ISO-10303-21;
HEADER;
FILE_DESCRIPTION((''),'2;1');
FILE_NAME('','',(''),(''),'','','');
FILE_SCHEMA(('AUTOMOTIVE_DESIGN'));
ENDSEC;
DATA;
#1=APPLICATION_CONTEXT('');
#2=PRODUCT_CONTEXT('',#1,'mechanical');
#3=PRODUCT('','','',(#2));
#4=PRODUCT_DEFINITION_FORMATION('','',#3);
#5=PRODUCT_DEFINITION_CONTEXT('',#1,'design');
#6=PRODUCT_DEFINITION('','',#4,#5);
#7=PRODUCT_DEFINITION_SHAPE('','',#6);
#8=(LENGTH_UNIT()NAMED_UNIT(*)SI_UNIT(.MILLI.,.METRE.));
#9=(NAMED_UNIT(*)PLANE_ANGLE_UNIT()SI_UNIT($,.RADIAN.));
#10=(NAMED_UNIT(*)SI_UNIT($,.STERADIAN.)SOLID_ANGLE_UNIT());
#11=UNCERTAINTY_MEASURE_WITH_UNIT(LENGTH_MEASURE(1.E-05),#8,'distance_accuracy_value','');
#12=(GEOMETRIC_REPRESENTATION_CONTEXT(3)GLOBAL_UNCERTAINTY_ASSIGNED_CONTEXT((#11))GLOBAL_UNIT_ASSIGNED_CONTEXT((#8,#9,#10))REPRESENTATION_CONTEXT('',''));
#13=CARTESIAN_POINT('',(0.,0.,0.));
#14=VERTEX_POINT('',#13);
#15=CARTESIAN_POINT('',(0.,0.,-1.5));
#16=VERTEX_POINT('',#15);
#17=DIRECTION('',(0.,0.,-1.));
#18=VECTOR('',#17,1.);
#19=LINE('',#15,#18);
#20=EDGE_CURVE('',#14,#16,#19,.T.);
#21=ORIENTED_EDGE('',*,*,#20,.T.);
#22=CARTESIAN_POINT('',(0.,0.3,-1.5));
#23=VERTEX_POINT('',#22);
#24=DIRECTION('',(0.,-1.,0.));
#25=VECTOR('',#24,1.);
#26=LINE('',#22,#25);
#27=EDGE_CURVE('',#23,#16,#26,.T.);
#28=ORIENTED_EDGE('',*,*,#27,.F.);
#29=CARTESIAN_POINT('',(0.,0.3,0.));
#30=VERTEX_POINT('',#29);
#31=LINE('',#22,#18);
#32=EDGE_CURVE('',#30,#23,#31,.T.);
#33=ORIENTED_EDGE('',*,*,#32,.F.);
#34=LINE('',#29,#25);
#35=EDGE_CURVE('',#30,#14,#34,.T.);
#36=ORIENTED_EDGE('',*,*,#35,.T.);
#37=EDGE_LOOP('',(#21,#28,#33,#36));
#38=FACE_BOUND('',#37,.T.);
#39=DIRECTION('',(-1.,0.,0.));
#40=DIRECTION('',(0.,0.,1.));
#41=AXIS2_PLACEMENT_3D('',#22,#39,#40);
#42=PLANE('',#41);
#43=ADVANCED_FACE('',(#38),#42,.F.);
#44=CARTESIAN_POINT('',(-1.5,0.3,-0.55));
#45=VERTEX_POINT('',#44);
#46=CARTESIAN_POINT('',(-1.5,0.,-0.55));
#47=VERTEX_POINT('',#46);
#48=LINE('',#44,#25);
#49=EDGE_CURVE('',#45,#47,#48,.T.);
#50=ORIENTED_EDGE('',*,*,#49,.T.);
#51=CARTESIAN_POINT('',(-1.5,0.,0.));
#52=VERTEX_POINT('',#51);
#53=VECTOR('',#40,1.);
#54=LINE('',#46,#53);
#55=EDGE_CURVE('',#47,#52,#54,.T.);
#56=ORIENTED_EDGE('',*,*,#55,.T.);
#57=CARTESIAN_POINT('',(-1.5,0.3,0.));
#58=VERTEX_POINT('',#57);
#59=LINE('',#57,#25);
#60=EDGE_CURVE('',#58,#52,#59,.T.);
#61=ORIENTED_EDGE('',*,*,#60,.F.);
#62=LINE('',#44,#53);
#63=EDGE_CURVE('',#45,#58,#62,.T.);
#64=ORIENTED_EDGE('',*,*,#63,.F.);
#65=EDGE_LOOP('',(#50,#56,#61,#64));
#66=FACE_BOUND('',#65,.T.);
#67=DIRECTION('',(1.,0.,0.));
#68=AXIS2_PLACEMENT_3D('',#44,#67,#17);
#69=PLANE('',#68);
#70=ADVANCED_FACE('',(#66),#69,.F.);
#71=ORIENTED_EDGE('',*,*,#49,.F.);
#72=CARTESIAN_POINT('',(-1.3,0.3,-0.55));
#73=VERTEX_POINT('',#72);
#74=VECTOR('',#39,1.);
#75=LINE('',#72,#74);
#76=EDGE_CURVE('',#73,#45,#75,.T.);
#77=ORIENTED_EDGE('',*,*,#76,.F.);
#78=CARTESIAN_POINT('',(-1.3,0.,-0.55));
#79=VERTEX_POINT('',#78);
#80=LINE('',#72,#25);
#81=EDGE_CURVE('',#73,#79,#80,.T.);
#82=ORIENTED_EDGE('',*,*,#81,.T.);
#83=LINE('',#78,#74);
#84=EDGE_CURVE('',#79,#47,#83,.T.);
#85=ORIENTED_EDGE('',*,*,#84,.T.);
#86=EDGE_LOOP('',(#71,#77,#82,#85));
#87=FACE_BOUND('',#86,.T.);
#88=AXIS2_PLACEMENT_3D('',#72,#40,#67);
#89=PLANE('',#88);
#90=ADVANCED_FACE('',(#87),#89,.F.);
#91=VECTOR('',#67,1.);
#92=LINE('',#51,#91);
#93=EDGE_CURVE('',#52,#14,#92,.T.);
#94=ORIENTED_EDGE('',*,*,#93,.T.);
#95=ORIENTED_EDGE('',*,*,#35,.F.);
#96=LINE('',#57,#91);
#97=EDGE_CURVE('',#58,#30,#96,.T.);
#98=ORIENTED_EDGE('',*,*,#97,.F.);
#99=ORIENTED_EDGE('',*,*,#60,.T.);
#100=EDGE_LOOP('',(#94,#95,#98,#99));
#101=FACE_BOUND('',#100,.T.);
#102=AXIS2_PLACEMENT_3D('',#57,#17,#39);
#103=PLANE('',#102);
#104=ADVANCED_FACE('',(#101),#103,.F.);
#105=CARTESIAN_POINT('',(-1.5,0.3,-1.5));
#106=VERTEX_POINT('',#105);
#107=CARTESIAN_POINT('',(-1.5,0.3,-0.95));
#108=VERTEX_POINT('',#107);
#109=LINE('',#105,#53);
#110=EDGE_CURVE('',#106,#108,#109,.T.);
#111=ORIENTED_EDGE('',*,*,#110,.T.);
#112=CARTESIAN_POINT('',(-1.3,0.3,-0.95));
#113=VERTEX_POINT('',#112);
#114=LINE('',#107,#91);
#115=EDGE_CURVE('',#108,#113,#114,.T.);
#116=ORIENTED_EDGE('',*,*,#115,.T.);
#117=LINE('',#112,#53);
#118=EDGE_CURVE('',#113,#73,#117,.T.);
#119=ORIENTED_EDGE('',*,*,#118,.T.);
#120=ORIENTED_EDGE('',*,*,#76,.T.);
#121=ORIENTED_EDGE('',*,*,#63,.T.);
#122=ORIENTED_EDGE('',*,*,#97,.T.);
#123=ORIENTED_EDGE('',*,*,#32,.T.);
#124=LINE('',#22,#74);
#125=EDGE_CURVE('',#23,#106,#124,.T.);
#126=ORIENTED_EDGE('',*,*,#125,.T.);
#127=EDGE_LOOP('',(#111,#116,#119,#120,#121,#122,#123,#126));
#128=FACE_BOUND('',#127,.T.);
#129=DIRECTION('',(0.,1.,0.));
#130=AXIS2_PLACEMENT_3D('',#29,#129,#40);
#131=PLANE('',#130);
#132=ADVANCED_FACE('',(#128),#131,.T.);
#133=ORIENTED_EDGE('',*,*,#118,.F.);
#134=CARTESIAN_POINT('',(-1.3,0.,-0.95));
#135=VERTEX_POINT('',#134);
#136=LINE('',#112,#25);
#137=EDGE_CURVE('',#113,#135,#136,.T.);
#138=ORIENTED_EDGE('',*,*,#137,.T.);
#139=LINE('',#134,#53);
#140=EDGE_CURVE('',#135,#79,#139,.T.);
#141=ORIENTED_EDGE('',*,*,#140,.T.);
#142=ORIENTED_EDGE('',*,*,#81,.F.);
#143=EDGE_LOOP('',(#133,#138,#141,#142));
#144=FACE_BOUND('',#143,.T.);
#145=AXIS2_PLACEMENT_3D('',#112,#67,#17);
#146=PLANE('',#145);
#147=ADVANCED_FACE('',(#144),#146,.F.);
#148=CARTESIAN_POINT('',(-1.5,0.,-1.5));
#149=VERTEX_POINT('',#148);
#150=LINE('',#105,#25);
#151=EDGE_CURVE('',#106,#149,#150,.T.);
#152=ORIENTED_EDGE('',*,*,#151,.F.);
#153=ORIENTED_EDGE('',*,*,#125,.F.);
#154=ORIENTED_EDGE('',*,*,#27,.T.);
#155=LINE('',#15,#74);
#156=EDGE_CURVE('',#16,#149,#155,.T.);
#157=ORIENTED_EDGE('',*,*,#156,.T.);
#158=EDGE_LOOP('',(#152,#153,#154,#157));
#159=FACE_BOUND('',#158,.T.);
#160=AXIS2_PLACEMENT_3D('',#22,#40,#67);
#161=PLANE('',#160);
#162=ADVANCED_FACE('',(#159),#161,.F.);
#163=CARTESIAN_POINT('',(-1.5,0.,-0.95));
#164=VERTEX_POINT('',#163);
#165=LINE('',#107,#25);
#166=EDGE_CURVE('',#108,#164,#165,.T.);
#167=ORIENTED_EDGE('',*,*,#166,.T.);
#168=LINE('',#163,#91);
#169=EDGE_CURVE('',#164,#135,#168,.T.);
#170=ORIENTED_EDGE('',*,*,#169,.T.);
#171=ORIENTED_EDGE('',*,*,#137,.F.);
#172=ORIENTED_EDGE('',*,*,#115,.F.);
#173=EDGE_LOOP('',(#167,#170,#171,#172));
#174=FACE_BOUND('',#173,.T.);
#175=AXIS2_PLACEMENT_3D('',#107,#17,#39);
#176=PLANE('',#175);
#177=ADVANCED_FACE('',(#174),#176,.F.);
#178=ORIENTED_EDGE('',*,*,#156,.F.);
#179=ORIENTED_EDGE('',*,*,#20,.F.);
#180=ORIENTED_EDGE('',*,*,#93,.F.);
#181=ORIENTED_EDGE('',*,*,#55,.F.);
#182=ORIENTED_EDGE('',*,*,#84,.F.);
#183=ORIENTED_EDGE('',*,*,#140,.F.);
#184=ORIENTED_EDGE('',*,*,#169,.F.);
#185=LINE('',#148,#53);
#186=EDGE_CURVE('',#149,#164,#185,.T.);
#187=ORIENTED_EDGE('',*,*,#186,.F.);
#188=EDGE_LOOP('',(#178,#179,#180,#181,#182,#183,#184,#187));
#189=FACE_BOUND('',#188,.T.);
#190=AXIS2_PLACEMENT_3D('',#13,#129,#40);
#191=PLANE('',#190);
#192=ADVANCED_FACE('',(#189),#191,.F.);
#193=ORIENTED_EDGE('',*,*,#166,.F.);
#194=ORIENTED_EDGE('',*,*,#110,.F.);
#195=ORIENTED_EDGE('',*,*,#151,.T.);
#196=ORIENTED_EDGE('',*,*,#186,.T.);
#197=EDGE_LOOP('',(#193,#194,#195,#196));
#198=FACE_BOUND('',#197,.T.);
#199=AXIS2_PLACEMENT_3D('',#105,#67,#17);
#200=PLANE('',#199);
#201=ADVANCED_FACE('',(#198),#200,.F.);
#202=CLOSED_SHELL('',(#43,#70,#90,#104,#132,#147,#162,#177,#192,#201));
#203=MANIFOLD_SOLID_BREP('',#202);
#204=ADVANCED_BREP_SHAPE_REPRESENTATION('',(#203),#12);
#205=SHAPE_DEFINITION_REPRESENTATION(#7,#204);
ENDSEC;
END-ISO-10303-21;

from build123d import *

# Parameters (mm, degrees)
BOSS_EXTRUDE1_DEPTH = 0.3


with BuildPart() as part:
    # Sketch1 → Boss-Extrude1 (new body)
    with BuildSketch(Plane(origin=(0, 0, 0), x_dir=(1, 0, 0), z_dir=(0, 1, 0))):
        Polygon((0, 1.5), (-1.5, 1.5), (-1.5, 0.95), (-1.3, 0.95), (-1.3, 0.55), (-1.5, 0.55), (-1.5, 0), (0, 0), align=None)
    extrude(amount=BOSS_EXTRUDE1_DEPTH)


solid = part.part
